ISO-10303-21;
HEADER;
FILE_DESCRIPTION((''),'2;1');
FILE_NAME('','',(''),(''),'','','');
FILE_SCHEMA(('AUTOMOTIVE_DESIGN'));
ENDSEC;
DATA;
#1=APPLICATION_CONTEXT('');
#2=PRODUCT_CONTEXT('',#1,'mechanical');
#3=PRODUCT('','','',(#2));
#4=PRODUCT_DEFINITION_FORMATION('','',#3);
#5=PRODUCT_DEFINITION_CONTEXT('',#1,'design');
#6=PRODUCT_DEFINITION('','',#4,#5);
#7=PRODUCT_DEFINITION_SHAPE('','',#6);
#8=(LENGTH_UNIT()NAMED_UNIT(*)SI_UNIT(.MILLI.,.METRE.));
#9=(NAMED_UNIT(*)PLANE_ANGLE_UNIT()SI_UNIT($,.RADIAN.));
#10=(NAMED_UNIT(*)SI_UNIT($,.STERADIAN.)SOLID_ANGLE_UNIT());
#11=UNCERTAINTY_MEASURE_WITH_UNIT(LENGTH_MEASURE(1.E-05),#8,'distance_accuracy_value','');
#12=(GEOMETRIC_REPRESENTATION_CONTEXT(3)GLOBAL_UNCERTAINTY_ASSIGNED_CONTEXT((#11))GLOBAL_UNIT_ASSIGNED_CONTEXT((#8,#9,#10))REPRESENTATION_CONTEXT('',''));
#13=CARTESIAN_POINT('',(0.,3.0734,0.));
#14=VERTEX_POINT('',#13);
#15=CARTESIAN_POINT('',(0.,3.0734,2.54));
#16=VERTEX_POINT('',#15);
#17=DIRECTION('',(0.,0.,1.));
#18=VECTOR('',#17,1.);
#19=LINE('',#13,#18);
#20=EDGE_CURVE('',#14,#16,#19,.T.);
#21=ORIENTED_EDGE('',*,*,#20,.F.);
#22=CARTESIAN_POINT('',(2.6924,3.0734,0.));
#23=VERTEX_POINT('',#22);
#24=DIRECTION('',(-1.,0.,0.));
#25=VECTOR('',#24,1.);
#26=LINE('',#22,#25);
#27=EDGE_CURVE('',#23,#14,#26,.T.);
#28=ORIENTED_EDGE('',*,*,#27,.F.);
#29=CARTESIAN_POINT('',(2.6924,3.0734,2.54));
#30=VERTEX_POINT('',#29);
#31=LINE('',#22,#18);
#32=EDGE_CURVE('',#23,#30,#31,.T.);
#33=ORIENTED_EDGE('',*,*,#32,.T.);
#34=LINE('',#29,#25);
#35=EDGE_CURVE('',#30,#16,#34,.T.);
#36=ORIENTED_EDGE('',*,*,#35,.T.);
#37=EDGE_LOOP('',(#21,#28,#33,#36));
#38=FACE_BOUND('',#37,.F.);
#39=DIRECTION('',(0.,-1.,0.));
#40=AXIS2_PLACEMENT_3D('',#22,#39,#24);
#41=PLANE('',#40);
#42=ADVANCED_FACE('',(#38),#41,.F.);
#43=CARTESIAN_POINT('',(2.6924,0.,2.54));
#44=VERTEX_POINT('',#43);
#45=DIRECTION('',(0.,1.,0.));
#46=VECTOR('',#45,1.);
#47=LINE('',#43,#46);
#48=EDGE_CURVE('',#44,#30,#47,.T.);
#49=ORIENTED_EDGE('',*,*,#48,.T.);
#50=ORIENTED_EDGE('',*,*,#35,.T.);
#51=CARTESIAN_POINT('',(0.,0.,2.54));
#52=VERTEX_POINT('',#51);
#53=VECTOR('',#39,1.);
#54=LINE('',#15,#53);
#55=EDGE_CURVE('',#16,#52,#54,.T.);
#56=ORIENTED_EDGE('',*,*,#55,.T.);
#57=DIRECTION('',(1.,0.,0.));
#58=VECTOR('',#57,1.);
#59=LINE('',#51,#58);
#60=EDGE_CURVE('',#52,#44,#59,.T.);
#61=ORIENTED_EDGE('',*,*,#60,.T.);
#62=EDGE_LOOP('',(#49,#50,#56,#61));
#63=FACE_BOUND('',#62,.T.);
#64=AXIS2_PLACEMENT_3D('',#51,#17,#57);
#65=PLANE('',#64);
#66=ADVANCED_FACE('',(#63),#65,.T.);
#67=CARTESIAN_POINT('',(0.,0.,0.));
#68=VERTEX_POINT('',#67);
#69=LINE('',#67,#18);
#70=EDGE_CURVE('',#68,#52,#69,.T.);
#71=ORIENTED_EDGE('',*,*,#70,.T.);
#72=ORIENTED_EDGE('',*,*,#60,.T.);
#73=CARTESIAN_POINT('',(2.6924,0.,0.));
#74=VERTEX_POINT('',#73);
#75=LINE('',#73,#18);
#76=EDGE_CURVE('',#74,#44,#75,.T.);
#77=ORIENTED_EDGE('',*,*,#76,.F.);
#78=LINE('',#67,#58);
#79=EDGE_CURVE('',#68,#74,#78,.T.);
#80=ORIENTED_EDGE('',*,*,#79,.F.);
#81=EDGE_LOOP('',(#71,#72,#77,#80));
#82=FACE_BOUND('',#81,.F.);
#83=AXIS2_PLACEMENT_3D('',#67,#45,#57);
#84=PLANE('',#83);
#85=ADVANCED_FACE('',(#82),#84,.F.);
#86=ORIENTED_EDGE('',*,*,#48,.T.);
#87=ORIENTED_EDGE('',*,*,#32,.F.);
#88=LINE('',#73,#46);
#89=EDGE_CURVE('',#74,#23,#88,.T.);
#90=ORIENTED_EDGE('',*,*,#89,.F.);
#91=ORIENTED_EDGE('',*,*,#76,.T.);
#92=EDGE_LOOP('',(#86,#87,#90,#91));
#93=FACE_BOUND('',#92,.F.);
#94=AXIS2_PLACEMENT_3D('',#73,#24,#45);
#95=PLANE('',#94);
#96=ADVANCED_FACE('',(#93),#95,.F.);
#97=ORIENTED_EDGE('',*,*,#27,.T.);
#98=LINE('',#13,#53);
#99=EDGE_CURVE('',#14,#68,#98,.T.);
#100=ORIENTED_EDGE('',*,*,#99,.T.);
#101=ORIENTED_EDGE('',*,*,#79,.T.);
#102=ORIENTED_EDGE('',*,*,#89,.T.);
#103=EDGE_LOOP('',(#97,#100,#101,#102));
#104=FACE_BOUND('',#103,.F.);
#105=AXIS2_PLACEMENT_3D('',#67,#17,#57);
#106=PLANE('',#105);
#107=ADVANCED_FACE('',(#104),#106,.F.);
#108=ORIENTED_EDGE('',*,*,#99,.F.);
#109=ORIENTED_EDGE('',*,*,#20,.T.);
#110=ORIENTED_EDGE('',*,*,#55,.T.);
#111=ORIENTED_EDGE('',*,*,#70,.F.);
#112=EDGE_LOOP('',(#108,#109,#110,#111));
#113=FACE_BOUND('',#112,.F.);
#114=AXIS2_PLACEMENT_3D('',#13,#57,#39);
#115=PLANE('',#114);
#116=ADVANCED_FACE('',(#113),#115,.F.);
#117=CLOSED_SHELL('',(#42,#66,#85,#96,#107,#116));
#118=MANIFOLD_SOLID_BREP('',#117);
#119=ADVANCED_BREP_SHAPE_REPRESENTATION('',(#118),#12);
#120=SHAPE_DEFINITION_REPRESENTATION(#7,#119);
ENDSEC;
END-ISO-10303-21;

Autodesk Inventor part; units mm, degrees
ref_plane "YZ Plane" through (0, 0, 0) normal (1, 0, 0) x (0, 1, 0)
ref_plane "XZ Plane" through (0, 0, 0) normal (0, 1, 0) x (-1, 0, 0)
ref_plane "XY Plane" through (0, 0, 0) normal (0, 0, 1) x (1, 0, 0)
sketch "Sketch1" plane through (0, 0, 0) normal (0, 0, 1) x (1, 0, 0)
  line L0 (0, 0) -> (2.6924, 0)
  line L1 (2.6924, 0) -> (2.6924, 3.0734)
  line L2 (2.6924, 3.0734) -> (0, 3.0734)
  line L3 (0, 3.0734) -> (0, 0)
  dimension "d0" = 2.6924
  dimension "d1" = 3.0734
extrude "Extrusion1" add sketch "Sketch1" along normal blind 2.54
sketch "Sketch2" plane through (0, 0, 2.54) normal (0, 0, 1) x (1, 0, 0)
  line L0 (2.6924, 3.0734) -> (0, 3.0734) projected
  line L1 (1.3462, 3.0734) -> (1.3462, 0)
  line L2 (0, 0) -> (2.6924, 0) projected
  point P0 (1.3462, 1.5367)
properties part number "Can Block"
